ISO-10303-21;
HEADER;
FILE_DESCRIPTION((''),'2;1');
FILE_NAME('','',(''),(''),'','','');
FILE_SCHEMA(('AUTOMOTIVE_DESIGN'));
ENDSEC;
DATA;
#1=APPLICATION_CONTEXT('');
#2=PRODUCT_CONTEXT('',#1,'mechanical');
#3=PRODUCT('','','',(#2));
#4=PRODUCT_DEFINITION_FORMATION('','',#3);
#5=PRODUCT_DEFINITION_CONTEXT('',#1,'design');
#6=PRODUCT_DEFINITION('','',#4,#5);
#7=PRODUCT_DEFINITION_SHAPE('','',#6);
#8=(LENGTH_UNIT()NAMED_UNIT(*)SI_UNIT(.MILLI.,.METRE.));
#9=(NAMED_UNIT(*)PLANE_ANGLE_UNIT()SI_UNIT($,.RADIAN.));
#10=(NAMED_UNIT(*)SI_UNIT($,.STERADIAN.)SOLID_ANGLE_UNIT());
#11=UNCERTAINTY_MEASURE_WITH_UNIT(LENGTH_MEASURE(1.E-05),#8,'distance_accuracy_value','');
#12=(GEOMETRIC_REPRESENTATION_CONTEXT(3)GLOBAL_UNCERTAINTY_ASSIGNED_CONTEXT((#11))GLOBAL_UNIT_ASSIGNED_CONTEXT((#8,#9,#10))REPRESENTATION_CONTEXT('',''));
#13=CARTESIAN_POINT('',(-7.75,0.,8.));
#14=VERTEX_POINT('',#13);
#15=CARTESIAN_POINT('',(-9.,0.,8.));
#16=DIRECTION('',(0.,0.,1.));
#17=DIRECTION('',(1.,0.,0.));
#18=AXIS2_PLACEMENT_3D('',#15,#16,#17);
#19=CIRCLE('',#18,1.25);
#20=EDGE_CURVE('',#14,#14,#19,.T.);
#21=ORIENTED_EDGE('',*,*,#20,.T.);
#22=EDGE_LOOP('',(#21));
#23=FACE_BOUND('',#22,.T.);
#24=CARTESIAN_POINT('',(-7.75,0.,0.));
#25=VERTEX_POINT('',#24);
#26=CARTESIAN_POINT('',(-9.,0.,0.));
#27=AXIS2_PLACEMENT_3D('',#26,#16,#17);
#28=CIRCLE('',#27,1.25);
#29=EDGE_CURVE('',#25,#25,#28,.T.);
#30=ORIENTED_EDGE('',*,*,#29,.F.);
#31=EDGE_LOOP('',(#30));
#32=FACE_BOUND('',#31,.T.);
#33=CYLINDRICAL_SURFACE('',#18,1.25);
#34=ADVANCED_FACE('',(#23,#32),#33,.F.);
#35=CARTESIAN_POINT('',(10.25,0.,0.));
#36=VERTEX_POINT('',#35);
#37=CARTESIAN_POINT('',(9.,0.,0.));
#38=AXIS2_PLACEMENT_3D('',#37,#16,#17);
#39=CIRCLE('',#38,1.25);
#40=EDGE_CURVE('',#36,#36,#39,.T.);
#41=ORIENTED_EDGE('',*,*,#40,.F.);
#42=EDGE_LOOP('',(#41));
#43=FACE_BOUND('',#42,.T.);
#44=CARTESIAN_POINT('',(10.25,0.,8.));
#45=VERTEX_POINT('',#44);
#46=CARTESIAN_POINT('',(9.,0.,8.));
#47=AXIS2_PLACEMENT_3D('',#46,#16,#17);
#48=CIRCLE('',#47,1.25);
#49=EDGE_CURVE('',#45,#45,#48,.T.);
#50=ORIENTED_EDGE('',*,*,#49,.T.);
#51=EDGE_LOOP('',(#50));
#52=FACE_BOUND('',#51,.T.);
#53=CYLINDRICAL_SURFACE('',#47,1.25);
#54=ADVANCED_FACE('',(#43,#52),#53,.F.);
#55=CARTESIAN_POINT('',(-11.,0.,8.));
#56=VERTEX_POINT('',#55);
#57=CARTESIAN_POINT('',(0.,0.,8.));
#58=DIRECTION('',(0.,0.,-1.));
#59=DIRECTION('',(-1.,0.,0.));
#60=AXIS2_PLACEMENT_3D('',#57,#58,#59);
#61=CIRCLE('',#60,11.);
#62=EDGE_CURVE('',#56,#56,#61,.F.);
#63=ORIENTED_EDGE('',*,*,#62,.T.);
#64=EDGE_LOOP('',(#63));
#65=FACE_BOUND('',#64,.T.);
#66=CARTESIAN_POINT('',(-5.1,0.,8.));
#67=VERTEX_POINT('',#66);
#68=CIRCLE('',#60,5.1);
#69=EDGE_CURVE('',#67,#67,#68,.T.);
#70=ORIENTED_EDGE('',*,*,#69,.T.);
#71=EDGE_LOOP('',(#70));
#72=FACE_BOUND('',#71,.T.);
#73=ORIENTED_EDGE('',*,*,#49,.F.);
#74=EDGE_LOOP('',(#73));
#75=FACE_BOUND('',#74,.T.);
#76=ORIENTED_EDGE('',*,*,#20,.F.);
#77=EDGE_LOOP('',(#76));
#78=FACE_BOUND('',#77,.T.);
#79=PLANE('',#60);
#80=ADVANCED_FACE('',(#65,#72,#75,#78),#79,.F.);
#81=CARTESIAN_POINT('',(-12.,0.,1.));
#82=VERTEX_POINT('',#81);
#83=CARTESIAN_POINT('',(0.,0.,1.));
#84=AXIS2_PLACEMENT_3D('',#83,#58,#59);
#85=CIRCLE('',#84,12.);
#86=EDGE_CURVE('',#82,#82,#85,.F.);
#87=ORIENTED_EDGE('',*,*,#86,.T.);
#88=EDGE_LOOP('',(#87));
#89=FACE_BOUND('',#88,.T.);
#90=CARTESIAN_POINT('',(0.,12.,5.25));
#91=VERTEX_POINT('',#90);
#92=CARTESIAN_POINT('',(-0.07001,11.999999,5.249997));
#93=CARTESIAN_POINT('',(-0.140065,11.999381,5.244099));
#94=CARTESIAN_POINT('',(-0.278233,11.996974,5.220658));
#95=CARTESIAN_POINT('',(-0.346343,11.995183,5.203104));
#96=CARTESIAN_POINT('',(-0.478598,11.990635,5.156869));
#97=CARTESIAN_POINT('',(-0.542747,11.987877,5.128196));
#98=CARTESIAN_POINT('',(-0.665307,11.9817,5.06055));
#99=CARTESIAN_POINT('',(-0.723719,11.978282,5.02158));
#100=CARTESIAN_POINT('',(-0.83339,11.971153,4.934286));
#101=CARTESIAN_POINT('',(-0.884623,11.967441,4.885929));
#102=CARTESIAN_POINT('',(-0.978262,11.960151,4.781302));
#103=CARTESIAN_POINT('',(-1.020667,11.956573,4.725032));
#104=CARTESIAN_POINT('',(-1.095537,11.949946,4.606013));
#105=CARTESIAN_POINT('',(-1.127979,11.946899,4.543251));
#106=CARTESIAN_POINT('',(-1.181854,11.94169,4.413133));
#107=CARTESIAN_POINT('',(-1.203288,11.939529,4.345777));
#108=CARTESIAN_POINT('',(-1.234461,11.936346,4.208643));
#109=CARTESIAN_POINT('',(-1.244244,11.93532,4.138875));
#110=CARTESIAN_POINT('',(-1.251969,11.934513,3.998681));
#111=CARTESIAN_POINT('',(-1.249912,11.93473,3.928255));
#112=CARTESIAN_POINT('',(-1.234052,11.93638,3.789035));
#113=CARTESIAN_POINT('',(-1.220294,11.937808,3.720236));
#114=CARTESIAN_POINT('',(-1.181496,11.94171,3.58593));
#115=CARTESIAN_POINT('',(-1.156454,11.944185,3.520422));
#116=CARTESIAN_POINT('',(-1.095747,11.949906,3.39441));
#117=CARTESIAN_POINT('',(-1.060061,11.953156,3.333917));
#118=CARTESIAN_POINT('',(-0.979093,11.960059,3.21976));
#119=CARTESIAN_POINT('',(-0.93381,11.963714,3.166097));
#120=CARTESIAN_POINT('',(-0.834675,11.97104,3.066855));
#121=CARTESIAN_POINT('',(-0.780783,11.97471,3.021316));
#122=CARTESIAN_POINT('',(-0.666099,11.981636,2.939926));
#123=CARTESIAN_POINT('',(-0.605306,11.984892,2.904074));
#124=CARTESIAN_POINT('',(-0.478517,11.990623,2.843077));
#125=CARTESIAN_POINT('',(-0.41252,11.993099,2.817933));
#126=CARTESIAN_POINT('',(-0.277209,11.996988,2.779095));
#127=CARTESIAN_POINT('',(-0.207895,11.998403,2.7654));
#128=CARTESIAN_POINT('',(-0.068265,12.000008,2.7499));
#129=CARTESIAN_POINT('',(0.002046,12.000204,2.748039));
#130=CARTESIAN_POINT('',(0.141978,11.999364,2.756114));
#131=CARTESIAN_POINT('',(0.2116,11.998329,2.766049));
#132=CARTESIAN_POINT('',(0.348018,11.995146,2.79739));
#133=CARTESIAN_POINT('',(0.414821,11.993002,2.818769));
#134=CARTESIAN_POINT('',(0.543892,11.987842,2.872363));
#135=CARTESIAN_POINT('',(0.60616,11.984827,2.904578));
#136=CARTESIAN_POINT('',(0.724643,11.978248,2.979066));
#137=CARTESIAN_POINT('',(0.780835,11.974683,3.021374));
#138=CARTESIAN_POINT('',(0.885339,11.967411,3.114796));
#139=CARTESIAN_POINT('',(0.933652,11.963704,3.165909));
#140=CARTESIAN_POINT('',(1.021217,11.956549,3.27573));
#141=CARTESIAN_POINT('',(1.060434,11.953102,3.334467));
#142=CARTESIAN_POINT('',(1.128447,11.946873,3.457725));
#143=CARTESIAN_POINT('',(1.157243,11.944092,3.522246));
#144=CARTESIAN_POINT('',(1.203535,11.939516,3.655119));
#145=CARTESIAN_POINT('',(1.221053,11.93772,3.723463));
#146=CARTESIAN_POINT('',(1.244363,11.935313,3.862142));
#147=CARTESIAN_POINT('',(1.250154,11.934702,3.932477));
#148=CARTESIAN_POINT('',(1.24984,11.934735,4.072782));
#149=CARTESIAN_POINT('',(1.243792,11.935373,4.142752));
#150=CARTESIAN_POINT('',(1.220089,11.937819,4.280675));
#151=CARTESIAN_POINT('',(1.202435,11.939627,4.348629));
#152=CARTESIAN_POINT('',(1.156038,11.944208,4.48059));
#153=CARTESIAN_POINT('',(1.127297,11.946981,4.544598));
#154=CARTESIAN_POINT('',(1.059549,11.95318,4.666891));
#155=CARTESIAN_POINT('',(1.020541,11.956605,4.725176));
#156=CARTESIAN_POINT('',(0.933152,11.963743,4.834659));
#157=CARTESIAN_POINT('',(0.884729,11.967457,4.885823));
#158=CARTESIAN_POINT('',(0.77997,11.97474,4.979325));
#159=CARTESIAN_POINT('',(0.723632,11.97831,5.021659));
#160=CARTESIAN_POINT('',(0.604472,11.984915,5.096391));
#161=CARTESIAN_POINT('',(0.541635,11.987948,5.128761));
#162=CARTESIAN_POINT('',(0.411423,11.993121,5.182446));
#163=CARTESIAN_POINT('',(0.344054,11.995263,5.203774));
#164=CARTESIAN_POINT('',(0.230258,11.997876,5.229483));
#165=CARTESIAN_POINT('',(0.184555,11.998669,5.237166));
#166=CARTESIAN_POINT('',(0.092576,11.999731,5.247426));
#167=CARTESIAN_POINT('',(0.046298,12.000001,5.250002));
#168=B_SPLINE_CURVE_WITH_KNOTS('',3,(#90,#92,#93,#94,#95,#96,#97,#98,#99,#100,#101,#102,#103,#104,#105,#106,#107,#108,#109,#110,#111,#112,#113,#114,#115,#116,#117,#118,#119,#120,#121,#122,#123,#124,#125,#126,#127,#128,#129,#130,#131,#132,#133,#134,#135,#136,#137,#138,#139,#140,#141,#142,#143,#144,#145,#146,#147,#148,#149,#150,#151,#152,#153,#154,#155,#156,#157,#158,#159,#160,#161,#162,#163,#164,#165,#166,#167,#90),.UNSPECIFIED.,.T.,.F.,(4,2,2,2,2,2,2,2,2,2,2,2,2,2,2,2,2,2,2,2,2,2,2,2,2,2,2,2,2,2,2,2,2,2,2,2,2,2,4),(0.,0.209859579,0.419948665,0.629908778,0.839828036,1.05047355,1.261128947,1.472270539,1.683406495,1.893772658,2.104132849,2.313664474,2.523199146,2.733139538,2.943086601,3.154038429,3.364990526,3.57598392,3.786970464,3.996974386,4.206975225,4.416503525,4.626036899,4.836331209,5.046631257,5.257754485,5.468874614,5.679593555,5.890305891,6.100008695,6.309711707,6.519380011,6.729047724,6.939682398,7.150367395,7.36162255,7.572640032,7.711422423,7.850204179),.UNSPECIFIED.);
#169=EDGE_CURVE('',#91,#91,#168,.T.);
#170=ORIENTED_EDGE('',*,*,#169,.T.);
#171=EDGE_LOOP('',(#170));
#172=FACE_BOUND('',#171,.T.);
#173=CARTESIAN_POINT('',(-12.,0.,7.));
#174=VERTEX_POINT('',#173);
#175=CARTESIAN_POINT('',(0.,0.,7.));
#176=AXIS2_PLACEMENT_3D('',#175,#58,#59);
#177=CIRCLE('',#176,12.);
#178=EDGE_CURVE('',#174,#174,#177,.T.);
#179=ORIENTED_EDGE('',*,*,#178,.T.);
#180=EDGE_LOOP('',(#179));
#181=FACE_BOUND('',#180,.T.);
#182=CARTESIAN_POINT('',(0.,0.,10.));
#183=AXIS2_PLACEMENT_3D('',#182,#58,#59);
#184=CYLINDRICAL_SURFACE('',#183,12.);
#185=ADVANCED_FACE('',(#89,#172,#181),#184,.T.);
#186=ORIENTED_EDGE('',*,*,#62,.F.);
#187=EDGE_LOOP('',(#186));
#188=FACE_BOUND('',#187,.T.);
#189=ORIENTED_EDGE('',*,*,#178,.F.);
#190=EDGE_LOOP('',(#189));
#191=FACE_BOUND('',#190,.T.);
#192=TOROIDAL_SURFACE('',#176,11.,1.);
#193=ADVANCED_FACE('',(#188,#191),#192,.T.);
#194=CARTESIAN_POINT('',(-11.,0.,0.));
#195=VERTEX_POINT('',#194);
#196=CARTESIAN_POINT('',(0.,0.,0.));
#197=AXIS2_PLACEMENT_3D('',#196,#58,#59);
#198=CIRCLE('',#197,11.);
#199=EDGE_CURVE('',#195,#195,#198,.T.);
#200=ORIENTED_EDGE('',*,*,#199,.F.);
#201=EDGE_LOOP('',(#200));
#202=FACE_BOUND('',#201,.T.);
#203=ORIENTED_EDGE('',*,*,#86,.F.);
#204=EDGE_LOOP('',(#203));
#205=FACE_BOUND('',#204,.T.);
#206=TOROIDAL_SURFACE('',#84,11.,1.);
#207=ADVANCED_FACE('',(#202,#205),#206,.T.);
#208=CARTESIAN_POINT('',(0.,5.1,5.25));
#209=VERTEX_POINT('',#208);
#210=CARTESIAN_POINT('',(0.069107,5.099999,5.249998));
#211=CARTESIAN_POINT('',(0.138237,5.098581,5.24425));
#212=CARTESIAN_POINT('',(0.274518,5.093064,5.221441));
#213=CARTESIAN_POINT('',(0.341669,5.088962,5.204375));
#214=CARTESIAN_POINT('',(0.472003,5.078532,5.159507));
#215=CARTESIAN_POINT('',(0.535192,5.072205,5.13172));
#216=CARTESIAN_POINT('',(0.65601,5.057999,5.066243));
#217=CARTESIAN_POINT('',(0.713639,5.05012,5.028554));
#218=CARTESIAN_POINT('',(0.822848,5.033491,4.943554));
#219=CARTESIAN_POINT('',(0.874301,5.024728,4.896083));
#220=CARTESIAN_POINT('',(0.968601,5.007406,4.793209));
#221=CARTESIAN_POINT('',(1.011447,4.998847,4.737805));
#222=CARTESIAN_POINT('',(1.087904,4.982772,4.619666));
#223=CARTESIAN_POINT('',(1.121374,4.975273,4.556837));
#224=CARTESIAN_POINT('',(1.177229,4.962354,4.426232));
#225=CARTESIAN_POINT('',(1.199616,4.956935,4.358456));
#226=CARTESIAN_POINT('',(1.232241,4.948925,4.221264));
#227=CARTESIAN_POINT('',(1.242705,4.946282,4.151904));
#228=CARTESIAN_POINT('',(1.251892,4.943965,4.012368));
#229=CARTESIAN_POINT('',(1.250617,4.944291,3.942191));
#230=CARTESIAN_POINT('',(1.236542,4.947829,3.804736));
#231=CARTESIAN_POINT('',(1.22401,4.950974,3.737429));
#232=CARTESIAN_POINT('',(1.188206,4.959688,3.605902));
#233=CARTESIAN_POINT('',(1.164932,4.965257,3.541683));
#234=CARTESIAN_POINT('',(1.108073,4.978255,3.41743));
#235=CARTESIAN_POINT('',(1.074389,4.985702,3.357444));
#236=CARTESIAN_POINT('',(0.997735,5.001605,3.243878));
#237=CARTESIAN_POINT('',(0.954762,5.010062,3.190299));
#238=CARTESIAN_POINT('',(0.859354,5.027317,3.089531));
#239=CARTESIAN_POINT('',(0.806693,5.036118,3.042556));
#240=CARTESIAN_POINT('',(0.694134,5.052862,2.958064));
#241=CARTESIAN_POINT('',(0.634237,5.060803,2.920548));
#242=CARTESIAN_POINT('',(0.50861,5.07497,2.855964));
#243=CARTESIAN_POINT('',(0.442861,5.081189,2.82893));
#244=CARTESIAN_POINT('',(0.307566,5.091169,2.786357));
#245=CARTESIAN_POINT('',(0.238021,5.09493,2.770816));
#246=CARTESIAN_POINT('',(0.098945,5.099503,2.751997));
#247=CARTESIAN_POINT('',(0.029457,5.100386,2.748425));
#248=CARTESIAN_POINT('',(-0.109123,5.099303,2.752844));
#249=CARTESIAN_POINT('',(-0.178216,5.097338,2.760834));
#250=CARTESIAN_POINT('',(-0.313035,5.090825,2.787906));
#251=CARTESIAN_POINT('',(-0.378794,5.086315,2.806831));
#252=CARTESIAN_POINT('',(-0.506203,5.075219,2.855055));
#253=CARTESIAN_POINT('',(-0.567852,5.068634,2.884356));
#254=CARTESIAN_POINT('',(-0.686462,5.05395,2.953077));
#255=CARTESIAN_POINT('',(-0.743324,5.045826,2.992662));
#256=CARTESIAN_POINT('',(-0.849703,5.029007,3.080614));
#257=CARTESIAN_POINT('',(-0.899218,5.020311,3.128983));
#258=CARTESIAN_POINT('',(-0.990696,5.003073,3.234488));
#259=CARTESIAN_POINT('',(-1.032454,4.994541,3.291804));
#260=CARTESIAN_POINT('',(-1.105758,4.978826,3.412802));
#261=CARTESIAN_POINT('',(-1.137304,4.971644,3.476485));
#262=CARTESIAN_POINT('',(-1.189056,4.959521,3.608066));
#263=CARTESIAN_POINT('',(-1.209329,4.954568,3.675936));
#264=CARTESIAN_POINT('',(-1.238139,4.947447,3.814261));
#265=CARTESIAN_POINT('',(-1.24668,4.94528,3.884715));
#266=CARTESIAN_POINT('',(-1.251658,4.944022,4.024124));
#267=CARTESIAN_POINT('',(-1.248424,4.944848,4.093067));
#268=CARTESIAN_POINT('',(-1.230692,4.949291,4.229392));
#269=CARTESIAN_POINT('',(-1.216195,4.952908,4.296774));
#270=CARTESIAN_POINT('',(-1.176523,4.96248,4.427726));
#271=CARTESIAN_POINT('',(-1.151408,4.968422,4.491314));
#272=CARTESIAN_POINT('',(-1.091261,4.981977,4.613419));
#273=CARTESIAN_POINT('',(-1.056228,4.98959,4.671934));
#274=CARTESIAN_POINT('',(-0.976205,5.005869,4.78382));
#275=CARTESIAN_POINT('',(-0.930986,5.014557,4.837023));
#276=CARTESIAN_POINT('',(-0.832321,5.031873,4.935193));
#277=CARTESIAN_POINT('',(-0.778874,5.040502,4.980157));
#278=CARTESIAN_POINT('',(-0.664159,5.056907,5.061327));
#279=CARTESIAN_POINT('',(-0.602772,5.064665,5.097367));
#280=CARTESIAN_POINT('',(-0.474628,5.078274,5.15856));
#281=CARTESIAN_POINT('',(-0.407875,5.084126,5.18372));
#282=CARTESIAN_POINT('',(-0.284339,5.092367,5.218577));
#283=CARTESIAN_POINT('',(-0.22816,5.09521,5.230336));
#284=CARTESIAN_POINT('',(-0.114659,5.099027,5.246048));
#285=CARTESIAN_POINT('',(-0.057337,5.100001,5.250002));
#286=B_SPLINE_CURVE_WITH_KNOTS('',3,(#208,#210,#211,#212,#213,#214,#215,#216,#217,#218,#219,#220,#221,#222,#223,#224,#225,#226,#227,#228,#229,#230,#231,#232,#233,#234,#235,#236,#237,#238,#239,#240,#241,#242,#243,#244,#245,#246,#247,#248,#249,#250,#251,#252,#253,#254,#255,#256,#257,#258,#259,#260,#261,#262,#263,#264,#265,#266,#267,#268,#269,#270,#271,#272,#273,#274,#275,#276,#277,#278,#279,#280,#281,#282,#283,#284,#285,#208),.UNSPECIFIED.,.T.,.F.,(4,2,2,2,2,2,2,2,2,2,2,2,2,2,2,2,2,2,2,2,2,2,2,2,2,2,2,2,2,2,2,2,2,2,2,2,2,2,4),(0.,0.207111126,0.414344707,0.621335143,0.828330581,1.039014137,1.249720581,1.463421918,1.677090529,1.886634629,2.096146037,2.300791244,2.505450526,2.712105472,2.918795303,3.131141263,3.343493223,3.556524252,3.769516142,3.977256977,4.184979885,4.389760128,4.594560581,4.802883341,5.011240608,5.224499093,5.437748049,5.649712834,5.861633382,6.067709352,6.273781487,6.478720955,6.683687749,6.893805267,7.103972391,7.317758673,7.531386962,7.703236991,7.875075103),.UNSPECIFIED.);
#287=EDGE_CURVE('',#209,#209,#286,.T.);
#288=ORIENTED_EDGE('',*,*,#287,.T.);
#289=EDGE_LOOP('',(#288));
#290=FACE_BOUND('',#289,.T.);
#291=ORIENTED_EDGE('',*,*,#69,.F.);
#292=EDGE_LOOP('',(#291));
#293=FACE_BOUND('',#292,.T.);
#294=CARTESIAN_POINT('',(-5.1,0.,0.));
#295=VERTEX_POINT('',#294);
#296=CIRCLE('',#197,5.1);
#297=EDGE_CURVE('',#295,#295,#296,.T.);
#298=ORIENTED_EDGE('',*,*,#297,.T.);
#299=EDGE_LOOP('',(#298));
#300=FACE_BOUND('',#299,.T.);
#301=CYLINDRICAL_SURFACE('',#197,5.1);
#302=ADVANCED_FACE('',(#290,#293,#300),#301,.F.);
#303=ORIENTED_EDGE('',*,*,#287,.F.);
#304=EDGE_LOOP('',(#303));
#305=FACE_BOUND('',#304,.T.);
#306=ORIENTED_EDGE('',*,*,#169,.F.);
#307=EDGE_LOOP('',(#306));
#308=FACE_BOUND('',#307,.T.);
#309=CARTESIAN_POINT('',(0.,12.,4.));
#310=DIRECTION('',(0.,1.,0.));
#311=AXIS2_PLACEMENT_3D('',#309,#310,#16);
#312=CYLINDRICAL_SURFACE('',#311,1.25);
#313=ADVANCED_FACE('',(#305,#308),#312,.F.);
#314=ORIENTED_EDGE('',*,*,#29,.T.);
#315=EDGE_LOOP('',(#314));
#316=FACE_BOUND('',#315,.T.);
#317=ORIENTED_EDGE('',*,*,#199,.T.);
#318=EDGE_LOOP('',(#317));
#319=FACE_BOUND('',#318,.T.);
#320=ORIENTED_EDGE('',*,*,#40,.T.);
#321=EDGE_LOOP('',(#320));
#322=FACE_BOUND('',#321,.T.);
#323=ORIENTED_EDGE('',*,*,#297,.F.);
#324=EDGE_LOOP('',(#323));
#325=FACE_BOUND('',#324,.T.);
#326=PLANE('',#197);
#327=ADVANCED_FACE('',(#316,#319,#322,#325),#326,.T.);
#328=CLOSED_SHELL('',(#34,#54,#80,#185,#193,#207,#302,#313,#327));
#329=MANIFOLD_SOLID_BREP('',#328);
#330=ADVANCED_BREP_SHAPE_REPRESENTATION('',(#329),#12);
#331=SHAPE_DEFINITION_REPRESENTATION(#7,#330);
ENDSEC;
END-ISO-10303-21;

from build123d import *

# Parameters (mm, degrees)
SKETCH1_W                    = 24
SKETCH1_H                    = 24
BOSS_EXTRUDE1_DEPTH          = 8
M3_TAPPED_HOLE1_D            = 2.5
F_10_2_10_2_DIAMETER_HOLE1_D = 10.2
M3_TAPPED_HOLE2_REACH        = 30
M3_TAPPED_HOLE2_BORE_R       = 1.25
SKETCH15_R                   = 18.5
SKETCH15_R_2                 = 12
CUT_EXTRUDE2_DEPTH           = 10
FILLET2_R                    = 1


with BuildPart() as part:
    # Sketch1 → Boss-Extrude1 (new body)
    with BuildSketch(Plane.XY):
        Rectangle(SKETCH1_W, SKETCH1_H)
    extrude(amount=BOSS_EXTRUDE1_DEPTH)

    # M3 Tapped Hole1 (through all)
    with Locations(Plane.XY.offset(8)):
        with Locations((9, 0), (-9, 0)):
            Hole(M3_TAPPED_HOLE1_D / 2)

    # Ø10.2 (10.2) Diameter Hole1 (through all)
    with Locations(Plane(origin=(0, 0, 0), x_dir=(-1, 0, 0), z_dir=(0, 0, -1))):
        with Locations((0, 0)):
            Hole(F_10_2_10_2_DIAMETER_HOLE1_D / 2)

    # M3 Tapped Hole2 bore → M3 Tapped Hole2 (cut, up to next)
    with BuildSketch(Plane(origin=(0, 12, 0), x_dir=(1, 0, 0), z_dir=(0, 1, 0)), mode=Mode.PRIVATE) as m3_tapped_hole2_sk1:
        with Locations((0, -4)):
            Circle(M3_TAPPED_HOLE2_BORE_R)
    m3_tapped_hole2_tool1 = extrude(m3_tapped_hole2_sk1.sketch, amount=-M3_TAPPED_HOLE2_REACH, mode=Mode.PRIVATE) & part.part
    add(m3_tapped_hole2_tool1.solids().sort_by_distance((0, 12, 4))[0], mode=Mode.SUBTRACT)

    # Sketch15 → Cut-Extrude2 (cut)
    with BuildSketch(Plane(origin=(0, 0, 0), x_dir=(-1, 0, 0), z_dir=(0, 0, -1))):
        Circle(SKETCH15_R)
        Circle(SKETCH15_R_2, mode=Mode.SUBTRACT)
    extrude(amount=-CUT_EXTRUDE2_DEPTH, mode=Mode.SUBTRACT)

    # Fillet2
    fillet2_edges = [part.edges().sort_by_distance(p)[0] for p in [
        (12, 0, 0),
        (12, 0, 8),
    ]]
    fillet(fillet2_edges, radius=FILLET2_R)


solid = part.part
